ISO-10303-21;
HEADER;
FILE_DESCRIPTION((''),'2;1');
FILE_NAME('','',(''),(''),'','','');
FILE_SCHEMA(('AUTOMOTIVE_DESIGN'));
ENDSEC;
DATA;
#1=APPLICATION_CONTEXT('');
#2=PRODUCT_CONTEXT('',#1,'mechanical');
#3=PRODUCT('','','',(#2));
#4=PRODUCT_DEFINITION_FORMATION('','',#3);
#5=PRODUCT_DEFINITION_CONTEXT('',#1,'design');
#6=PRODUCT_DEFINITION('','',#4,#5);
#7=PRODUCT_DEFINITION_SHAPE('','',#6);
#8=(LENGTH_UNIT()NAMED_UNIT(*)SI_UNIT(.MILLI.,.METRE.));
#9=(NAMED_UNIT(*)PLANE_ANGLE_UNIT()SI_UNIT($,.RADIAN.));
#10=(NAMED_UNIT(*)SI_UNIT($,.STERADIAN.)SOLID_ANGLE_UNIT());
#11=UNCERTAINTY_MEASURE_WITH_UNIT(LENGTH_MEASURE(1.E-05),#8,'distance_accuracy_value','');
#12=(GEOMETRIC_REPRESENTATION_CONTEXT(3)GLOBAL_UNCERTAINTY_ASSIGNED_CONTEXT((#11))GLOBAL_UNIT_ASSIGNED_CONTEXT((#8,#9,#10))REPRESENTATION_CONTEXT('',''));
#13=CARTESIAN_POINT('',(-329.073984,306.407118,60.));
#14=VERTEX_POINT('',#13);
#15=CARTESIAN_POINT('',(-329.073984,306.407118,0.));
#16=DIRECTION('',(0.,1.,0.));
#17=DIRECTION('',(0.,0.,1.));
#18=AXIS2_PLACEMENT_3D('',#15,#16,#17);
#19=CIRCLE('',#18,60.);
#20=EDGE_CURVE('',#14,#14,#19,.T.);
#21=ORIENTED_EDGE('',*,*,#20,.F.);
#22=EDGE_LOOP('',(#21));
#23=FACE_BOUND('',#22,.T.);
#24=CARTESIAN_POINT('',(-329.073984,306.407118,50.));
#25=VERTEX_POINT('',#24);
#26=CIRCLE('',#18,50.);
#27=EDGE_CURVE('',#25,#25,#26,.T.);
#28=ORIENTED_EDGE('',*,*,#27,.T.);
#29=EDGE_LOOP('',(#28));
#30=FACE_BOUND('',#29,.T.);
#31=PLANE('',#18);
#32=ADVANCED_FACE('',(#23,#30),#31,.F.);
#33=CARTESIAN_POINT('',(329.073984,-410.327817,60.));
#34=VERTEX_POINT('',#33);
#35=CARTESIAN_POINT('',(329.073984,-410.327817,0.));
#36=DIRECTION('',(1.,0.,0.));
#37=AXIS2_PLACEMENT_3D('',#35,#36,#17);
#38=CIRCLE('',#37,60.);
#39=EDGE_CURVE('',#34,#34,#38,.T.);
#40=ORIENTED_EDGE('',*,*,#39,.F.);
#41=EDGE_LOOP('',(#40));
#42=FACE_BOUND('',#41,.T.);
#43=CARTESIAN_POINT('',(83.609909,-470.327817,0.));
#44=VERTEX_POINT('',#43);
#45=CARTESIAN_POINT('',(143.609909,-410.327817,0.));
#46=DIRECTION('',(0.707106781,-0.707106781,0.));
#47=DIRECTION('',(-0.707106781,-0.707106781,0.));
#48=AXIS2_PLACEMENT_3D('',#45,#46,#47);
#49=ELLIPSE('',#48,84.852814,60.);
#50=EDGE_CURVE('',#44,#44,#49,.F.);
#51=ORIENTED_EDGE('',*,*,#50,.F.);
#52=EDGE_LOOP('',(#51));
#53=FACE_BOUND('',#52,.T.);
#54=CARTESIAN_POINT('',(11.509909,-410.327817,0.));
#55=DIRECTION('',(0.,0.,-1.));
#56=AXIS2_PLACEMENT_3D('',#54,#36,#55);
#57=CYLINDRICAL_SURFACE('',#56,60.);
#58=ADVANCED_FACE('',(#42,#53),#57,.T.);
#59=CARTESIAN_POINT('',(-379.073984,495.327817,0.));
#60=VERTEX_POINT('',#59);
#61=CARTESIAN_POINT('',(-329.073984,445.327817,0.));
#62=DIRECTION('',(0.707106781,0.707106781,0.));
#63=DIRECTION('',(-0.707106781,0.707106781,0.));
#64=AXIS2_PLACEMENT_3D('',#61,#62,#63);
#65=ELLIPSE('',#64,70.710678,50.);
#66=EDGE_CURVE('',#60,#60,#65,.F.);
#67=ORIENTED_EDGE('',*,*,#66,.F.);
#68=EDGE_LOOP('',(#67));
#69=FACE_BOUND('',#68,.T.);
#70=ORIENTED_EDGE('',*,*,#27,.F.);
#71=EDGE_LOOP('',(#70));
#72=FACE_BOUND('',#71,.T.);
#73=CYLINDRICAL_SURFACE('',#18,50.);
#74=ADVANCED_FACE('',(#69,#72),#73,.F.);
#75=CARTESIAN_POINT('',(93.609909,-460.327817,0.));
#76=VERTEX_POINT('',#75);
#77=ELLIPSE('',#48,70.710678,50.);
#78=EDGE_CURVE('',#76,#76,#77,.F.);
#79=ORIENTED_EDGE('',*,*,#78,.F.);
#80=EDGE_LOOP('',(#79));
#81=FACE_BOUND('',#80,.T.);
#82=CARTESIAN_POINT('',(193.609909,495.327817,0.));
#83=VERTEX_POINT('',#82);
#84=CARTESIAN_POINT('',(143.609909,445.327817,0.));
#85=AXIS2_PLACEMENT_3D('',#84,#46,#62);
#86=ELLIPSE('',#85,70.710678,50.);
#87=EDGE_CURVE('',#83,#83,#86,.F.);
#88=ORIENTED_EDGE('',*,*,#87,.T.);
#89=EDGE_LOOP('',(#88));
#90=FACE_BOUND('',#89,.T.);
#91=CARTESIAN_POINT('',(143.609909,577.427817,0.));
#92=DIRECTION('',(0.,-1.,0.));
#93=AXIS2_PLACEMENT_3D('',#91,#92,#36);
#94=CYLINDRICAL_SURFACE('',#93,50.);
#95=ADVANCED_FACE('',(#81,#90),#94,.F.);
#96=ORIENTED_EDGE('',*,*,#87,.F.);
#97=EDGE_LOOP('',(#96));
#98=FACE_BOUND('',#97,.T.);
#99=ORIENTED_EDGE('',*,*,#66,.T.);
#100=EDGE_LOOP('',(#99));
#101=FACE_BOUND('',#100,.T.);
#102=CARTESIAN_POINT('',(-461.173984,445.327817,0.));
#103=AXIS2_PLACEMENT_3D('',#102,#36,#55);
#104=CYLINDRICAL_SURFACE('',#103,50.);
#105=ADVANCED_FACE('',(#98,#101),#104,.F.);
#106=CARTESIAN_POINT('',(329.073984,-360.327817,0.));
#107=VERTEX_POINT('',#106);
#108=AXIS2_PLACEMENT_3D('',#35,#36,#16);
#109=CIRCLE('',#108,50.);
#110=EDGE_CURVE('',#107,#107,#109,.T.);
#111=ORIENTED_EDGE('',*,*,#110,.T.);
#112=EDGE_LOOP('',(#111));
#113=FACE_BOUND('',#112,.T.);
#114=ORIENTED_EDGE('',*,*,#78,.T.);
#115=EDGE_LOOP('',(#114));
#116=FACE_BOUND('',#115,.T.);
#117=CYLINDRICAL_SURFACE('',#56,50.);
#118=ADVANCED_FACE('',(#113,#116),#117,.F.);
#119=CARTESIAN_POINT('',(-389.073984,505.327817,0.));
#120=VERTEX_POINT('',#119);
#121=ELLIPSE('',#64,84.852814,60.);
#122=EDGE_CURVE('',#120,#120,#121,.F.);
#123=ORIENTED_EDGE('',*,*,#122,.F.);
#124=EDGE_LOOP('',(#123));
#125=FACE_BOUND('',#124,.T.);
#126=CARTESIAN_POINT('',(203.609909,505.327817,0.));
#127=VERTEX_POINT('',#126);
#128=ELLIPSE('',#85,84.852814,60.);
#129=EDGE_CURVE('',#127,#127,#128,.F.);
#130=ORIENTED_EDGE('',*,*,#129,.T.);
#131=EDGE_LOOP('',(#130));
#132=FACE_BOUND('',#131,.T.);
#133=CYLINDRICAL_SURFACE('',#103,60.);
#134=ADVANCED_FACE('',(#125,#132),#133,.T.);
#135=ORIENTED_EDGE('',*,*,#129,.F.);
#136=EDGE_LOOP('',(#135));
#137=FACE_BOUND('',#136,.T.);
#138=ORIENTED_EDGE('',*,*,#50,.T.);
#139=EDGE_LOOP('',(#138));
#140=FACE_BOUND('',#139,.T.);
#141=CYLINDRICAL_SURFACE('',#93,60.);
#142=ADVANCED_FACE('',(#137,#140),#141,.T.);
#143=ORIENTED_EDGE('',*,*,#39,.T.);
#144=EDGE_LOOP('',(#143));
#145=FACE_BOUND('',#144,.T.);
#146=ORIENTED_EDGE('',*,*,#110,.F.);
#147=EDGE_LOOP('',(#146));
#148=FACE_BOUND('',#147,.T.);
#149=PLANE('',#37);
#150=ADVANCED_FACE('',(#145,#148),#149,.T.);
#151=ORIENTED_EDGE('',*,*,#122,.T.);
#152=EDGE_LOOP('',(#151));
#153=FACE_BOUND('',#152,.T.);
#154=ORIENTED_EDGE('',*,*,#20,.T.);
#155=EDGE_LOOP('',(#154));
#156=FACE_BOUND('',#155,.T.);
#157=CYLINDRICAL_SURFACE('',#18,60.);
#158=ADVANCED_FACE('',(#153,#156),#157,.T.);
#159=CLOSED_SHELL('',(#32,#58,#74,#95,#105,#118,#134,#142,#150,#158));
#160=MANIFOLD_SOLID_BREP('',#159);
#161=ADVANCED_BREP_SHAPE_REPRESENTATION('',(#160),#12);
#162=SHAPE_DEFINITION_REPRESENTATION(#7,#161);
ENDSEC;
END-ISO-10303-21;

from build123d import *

# Parameters (mm, degrees)
SKETCH8_R   = 60
SKETCH8_R_2 = 50


with BuildPart() as part:
    # Sweep-Thin1: sweep along a path in Sketch1
    with BuildLine(Plane.XY) as sweep_thin1_path:
        Line((-329.073983606, 306.407118431), (-329.073983606, 445.327817433))
        Line((-329.073983606, 445.327817433), (143.609908522, 445.327817433))
        Line((143.609908522, 445.327817433), (143.609908522, -410.327817433))
        Line((143.609908522, -410.327817433), (329.073983606, -410.327817433))
    # Sketch8 → Sweep-Thin1 (sweep)
    with BuildSketch(Plane(origin=(0, 306.407118431, 0), x_dir=(1, 0, 0), z_dir=(0, 1, 0))):
        with Locations((-329.073983606, 0)):
            Circle(SKETCH8_R)
        with Locations((-329.073983606, 0)):
            Circle(SKETCH8_R_2, mode=Mode.SUBTRACT)
    sweep(path=sweep_thin1_path.line, transition=Transition.RIGHT)


solid = part.part
